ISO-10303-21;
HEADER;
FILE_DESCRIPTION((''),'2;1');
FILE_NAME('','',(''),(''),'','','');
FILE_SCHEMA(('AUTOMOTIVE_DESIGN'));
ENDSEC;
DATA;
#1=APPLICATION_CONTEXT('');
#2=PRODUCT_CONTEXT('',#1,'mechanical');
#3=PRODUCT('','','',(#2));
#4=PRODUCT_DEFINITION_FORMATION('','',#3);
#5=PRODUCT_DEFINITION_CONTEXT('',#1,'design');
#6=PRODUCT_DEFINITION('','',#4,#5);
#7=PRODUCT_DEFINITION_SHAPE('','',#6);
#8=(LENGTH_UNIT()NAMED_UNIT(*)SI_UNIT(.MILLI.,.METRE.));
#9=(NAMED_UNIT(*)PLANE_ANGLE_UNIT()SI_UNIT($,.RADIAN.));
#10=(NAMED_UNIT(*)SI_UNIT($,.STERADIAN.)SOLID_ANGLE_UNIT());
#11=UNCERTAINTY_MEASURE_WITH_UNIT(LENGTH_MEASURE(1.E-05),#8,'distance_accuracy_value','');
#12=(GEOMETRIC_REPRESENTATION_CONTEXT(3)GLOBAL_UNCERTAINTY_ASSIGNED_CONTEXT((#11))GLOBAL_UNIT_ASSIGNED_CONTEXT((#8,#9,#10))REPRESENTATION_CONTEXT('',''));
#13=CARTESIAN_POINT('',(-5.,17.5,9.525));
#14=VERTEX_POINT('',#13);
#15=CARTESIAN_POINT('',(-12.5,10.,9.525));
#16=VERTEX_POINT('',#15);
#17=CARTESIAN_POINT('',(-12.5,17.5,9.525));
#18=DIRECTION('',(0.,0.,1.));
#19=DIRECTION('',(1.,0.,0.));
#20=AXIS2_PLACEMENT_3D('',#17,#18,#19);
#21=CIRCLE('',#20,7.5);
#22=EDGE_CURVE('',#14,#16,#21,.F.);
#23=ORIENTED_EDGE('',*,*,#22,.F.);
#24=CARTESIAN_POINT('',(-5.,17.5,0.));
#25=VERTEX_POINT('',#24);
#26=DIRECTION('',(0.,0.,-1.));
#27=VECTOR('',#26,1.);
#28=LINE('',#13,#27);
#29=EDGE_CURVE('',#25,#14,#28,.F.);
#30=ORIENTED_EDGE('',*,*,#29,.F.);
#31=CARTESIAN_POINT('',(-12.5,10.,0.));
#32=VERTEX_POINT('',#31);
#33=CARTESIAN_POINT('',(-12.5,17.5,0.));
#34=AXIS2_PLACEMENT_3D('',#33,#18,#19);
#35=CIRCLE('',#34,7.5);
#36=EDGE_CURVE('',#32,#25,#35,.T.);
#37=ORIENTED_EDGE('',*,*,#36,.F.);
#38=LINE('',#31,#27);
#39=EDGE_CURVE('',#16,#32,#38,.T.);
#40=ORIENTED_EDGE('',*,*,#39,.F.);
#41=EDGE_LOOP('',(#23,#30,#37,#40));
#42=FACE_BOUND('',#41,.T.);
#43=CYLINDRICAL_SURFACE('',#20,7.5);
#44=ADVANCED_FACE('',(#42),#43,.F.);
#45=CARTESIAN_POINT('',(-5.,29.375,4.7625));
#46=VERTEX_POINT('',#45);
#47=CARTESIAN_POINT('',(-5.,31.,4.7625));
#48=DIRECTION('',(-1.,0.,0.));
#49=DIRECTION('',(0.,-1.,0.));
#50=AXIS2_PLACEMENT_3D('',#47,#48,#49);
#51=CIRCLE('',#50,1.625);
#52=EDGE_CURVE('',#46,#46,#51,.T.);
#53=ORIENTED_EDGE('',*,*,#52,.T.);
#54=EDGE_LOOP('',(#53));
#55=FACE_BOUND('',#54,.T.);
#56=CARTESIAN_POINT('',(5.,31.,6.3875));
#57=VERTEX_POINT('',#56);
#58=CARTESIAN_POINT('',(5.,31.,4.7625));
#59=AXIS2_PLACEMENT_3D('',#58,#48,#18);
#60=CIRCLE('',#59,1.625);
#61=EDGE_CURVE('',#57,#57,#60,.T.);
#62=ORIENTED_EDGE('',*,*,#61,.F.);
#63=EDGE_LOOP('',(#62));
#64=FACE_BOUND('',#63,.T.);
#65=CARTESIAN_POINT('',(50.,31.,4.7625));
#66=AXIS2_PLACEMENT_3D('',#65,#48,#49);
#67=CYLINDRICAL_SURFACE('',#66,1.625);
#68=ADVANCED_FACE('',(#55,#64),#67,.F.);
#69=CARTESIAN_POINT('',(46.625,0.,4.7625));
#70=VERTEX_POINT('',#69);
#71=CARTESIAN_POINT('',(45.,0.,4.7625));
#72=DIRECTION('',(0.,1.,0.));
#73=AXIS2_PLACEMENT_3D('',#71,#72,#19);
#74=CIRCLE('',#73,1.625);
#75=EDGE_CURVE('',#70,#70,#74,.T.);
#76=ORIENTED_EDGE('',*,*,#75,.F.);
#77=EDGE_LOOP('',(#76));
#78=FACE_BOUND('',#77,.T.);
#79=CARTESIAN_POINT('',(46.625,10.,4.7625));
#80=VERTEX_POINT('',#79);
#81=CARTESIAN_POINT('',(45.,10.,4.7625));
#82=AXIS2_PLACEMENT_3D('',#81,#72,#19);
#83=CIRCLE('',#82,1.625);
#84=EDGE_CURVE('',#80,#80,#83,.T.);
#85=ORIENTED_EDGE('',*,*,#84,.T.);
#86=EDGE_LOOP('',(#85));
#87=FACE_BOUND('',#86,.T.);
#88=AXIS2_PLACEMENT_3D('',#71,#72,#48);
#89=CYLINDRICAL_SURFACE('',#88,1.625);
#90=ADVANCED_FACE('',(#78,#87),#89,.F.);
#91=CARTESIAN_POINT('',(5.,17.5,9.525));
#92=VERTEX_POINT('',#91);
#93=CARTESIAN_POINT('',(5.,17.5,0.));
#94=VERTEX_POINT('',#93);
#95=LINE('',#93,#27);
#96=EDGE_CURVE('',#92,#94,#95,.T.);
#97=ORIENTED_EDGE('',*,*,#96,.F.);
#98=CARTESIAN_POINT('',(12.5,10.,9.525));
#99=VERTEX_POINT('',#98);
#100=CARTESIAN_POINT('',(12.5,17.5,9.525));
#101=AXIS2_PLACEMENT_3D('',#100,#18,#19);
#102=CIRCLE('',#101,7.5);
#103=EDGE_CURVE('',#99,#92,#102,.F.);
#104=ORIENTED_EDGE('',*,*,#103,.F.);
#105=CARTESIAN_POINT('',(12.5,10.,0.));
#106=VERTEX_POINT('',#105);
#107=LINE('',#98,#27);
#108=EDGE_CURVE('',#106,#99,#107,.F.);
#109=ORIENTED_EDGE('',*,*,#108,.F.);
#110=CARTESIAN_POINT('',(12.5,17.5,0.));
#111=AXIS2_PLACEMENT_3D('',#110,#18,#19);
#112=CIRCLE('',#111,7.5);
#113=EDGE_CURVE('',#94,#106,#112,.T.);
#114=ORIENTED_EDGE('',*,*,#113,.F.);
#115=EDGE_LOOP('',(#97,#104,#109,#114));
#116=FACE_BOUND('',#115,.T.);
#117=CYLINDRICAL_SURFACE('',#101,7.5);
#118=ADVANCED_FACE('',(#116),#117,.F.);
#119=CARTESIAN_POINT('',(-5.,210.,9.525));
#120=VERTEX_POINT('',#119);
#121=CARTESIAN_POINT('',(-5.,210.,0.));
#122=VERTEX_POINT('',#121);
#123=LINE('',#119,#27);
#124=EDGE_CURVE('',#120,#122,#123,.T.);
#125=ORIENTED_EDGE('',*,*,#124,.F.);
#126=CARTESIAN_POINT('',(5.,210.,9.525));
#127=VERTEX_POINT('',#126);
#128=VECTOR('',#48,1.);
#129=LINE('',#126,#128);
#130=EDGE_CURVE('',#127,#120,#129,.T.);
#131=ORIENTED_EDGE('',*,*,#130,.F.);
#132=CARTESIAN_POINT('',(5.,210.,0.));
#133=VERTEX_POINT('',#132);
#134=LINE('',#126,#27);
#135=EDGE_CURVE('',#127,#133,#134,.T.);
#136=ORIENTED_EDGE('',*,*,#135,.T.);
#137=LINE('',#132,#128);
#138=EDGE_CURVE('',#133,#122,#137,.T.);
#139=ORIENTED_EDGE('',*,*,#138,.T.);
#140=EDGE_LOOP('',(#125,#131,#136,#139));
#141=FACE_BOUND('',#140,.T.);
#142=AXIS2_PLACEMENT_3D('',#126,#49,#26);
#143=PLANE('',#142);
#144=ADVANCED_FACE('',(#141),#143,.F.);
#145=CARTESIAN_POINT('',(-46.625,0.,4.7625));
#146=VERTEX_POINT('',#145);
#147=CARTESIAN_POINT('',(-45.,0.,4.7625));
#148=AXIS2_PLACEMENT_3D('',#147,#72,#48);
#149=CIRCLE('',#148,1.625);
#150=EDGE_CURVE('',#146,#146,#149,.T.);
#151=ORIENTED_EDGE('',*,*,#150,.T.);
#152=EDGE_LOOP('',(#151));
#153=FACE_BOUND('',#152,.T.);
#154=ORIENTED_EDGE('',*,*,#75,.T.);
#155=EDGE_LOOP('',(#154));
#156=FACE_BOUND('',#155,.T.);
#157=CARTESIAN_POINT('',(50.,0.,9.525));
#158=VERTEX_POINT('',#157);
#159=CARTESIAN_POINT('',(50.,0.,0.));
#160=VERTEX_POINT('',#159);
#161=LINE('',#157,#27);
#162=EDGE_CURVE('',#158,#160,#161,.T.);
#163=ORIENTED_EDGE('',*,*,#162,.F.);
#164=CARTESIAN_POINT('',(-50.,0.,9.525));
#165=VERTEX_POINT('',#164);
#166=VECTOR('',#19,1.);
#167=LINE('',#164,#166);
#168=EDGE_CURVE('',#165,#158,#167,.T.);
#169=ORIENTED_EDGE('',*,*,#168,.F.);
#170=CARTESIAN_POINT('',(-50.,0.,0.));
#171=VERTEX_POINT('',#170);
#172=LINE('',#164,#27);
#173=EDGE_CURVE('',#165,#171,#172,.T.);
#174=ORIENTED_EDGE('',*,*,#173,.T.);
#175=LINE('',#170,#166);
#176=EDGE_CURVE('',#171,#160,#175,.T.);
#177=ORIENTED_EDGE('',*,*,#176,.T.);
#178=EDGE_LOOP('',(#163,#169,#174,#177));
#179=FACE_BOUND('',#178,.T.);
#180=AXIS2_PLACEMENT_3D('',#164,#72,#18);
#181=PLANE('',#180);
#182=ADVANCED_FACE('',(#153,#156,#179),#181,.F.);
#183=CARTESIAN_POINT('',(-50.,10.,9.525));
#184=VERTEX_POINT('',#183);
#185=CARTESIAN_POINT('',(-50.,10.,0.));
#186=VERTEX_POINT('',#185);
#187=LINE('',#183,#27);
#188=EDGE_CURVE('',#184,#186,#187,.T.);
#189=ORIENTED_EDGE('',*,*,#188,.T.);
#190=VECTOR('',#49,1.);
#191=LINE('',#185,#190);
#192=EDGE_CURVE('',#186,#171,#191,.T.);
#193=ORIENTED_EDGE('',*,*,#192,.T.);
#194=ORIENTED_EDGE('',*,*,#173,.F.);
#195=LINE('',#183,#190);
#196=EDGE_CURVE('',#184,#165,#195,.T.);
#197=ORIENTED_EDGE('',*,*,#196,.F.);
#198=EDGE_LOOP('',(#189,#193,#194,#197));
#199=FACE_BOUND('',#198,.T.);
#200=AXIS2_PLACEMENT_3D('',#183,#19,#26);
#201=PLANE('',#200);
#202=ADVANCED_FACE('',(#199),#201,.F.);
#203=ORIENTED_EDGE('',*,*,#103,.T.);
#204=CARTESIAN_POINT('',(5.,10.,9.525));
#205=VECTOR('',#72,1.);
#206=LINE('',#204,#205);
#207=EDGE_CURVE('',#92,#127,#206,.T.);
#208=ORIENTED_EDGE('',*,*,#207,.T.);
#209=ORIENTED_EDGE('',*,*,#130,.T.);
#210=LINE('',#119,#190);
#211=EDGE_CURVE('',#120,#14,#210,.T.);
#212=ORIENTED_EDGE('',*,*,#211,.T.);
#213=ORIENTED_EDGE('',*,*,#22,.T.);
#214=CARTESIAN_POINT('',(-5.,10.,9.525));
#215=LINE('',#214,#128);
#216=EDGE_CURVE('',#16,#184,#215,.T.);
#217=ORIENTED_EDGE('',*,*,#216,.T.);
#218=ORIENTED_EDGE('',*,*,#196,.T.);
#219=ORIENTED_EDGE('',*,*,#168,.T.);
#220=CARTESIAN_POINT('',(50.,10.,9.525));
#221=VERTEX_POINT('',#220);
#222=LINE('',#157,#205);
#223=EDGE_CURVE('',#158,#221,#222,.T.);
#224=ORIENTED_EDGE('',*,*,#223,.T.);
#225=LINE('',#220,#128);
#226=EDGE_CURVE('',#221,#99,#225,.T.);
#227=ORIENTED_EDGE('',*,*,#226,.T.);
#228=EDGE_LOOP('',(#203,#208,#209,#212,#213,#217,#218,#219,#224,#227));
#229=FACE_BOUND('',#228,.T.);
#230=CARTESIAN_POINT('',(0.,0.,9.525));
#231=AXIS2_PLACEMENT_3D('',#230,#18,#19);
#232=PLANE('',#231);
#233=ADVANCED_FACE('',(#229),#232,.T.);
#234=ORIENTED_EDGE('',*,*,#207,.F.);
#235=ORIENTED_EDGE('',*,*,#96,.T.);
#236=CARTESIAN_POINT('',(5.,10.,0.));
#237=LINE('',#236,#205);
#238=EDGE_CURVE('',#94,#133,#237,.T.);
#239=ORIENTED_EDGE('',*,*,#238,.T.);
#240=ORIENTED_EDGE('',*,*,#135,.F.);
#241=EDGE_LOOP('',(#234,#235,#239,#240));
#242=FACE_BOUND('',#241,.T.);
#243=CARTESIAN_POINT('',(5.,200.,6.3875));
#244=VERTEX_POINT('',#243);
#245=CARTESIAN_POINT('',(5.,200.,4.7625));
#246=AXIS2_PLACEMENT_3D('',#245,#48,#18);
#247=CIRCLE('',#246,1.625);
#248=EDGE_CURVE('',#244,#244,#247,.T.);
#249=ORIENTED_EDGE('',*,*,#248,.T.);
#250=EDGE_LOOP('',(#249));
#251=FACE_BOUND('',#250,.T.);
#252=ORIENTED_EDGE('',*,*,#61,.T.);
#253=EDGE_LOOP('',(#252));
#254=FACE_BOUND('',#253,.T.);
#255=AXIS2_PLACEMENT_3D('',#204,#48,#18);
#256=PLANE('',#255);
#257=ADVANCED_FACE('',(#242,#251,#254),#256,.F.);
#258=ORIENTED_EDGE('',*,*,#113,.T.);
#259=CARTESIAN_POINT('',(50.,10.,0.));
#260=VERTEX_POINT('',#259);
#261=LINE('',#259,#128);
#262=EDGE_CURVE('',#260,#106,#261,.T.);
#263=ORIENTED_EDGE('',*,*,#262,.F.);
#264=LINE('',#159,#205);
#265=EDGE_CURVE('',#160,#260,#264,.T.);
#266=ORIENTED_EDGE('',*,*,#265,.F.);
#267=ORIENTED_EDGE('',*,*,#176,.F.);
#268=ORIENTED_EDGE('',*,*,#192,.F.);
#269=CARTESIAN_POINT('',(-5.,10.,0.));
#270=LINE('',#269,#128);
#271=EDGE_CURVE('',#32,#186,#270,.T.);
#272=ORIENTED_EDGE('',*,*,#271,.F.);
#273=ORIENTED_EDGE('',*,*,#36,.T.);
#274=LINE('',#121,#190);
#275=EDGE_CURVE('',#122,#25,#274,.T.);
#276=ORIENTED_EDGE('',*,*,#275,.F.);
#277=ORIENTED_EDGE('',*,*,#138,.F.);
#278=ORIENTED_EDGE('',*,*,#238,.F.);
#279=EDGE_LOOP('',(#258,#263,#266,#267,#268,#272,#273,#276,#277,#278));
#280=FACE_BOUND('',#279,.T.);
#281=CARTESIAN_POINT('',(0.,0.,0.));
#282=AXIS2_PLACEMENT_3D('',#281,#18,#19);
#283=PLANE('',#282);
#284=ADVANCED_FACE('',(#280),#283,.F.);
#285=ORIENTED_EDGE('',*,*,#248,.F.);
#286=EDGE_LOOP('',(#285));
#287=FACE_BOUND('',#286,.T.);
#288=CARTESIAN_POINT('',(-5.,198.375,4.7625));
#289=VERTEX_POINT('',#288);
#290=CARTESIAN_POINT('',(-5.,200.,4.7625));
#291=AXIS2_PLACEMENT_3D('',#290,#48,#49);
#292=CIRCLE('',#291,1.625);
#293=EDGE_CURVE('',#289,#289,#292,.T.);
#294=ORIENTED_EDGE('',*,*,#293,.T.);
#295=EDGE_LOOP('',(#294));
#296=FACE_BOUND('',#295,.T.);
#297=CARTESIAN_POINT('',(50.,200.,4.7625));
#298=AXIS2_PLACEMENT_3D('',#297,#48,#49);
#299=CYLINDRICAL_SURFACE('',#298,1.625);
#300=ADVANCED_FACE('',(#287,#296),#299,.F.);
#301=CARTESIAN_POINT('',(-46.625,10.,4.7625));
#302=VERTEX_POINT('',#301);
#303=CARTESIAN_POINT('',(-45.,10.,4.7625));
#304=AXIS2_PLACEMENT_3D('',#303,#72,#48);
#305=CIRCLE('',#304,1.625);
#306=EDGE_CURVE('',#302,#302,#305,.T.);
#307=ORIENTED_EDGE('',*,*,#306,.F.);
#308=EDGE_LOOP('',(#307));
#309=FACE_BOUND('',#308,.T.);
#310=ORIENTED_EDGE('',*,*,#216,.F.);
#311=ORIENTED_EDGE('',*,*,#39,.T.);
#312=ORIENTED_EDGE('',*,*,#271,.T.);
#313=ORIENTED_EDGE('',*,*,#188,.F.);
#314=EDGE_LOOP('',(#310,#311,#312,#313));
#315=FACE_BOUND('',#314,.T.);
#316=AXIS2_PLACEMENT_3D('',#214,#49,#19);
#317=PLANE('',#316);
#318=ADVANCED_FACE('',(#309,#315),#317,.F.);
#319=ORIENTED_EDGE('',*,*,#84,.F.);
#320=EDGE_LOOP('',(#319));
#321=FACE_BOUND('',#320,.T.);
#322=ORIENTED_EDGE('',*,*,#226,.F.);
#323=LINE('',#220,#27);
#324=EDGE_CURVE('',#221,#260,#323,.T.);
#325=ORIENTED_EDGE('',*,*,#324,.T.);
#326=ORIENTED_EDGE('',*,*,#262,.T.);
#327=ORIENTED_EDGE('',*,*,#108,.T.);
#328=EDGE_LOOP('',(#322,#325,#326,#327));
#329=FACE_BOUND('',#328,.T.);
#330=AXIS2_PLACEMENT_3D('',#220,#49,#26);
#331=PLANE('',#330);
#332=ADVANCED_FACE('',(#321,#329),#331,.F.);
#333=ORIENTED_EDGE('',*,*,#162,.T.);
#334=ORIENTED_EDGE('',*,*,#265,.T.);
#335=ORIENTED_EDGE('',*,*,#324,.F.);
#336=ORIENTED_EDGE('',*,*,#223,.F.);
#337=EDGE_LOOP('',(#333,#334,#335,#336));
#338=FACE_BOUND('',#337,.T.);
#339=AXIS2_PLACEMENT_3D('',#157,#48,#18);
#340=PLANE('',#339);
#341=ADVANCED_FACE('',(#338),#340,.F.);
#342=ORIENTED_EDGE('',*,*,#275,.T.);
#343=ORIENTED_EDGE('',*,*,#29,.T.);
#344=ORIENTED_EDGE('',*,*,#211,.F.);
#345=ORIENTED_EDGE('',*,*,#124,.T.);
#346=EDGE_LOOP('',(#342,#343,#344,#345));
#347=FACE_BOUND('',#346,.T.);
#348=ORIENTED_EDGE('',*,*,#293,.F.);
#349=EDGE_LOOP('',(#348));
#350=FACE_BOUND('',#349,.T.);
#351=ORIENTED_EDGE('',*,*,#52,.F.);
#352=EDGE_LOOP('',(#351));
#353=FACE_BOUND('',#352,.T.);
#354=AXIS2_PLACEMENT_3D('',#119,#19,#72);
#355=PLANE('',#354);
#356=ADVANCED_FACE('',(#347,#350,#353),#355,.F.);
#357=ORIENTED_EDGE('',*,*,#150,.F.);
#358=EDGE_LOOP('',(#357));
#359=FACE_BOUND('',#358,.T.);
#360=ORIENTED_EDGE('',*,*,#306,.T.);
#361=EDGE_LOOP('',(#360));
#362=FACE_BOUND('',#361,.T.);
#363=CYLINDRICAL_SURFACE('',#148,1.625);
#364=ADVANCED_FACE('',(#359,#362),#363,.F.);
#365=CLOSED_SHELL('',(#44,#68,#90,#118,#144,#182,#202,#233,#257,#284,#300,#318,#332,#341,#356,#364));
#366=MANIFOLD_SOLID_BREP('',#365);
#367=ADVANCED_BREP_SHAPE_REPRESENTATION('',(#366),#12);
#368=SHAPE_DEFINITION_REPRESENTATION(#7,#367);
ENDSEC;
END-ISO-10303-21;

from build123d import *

# Parameters (mm, degrees)
BOSS_EXTRUDE1_DEPTH = 9.525
FILLET1_R           = 7.5
SKETCH2_R           = 1.625
CUT_EXTRUDE1_DEPTH  = 11
SKETCH3_R           = 1.625
CUT_EXTRUDE2_DEPTH  = 56


with BuildPart() as part:
    # Sketch1 → Boss-Extrude1 (new body)
    with BuildSketch(Plane.XY):
        Polygon((-50, 0), (50, 0), (50, 10), (5, 10), (5, 210), (-5, 210), (-5, 10), (-50, 10), align=None)
    extrude(amount=BOSS_EXTRUDE1_DEPTH)

    # Fillet1
    fillet1_edges = [part.edges().sort_by_distance(p)[0] for p in [
        (-5, 10, 4.7625),
        (5, 10, 4.7625),
    ]]
    fillet(fillet1_edges, radius=FILLET1_R)

    # Sketch2 → Cut-Extrude1 (cut, through all)
    with BuildSketch(Plane(origin=(0, 10, 0), x_dir=(1, 0, 0), z_dir=(0, 1, 0))):
        with Locations((-45, -4.7625)):
            Circle(SKETCH2_R)
        with Locations((45, -4.7625)):
            Circle(SKETCH2_R)
    extrude(amount=-CUT_EXTRUDE1_DEPTH, mode=Mode.SUBTRACT)

    # Sketch3 → Cut-Extrude2 (cut, through all)
    with BuildSketch(Plane.ZY.offset(5)):
        with Locations((4.7625, 31)):
            Circle(SKETCH3_R)
        with Locations((4.7625, 200)):
            Circle(SKETCH3_R)
    extrude(amount=-CUT_EXTRUDE2_DEPTH, mode=Mode.SUBTRACT)


solid = part.part
